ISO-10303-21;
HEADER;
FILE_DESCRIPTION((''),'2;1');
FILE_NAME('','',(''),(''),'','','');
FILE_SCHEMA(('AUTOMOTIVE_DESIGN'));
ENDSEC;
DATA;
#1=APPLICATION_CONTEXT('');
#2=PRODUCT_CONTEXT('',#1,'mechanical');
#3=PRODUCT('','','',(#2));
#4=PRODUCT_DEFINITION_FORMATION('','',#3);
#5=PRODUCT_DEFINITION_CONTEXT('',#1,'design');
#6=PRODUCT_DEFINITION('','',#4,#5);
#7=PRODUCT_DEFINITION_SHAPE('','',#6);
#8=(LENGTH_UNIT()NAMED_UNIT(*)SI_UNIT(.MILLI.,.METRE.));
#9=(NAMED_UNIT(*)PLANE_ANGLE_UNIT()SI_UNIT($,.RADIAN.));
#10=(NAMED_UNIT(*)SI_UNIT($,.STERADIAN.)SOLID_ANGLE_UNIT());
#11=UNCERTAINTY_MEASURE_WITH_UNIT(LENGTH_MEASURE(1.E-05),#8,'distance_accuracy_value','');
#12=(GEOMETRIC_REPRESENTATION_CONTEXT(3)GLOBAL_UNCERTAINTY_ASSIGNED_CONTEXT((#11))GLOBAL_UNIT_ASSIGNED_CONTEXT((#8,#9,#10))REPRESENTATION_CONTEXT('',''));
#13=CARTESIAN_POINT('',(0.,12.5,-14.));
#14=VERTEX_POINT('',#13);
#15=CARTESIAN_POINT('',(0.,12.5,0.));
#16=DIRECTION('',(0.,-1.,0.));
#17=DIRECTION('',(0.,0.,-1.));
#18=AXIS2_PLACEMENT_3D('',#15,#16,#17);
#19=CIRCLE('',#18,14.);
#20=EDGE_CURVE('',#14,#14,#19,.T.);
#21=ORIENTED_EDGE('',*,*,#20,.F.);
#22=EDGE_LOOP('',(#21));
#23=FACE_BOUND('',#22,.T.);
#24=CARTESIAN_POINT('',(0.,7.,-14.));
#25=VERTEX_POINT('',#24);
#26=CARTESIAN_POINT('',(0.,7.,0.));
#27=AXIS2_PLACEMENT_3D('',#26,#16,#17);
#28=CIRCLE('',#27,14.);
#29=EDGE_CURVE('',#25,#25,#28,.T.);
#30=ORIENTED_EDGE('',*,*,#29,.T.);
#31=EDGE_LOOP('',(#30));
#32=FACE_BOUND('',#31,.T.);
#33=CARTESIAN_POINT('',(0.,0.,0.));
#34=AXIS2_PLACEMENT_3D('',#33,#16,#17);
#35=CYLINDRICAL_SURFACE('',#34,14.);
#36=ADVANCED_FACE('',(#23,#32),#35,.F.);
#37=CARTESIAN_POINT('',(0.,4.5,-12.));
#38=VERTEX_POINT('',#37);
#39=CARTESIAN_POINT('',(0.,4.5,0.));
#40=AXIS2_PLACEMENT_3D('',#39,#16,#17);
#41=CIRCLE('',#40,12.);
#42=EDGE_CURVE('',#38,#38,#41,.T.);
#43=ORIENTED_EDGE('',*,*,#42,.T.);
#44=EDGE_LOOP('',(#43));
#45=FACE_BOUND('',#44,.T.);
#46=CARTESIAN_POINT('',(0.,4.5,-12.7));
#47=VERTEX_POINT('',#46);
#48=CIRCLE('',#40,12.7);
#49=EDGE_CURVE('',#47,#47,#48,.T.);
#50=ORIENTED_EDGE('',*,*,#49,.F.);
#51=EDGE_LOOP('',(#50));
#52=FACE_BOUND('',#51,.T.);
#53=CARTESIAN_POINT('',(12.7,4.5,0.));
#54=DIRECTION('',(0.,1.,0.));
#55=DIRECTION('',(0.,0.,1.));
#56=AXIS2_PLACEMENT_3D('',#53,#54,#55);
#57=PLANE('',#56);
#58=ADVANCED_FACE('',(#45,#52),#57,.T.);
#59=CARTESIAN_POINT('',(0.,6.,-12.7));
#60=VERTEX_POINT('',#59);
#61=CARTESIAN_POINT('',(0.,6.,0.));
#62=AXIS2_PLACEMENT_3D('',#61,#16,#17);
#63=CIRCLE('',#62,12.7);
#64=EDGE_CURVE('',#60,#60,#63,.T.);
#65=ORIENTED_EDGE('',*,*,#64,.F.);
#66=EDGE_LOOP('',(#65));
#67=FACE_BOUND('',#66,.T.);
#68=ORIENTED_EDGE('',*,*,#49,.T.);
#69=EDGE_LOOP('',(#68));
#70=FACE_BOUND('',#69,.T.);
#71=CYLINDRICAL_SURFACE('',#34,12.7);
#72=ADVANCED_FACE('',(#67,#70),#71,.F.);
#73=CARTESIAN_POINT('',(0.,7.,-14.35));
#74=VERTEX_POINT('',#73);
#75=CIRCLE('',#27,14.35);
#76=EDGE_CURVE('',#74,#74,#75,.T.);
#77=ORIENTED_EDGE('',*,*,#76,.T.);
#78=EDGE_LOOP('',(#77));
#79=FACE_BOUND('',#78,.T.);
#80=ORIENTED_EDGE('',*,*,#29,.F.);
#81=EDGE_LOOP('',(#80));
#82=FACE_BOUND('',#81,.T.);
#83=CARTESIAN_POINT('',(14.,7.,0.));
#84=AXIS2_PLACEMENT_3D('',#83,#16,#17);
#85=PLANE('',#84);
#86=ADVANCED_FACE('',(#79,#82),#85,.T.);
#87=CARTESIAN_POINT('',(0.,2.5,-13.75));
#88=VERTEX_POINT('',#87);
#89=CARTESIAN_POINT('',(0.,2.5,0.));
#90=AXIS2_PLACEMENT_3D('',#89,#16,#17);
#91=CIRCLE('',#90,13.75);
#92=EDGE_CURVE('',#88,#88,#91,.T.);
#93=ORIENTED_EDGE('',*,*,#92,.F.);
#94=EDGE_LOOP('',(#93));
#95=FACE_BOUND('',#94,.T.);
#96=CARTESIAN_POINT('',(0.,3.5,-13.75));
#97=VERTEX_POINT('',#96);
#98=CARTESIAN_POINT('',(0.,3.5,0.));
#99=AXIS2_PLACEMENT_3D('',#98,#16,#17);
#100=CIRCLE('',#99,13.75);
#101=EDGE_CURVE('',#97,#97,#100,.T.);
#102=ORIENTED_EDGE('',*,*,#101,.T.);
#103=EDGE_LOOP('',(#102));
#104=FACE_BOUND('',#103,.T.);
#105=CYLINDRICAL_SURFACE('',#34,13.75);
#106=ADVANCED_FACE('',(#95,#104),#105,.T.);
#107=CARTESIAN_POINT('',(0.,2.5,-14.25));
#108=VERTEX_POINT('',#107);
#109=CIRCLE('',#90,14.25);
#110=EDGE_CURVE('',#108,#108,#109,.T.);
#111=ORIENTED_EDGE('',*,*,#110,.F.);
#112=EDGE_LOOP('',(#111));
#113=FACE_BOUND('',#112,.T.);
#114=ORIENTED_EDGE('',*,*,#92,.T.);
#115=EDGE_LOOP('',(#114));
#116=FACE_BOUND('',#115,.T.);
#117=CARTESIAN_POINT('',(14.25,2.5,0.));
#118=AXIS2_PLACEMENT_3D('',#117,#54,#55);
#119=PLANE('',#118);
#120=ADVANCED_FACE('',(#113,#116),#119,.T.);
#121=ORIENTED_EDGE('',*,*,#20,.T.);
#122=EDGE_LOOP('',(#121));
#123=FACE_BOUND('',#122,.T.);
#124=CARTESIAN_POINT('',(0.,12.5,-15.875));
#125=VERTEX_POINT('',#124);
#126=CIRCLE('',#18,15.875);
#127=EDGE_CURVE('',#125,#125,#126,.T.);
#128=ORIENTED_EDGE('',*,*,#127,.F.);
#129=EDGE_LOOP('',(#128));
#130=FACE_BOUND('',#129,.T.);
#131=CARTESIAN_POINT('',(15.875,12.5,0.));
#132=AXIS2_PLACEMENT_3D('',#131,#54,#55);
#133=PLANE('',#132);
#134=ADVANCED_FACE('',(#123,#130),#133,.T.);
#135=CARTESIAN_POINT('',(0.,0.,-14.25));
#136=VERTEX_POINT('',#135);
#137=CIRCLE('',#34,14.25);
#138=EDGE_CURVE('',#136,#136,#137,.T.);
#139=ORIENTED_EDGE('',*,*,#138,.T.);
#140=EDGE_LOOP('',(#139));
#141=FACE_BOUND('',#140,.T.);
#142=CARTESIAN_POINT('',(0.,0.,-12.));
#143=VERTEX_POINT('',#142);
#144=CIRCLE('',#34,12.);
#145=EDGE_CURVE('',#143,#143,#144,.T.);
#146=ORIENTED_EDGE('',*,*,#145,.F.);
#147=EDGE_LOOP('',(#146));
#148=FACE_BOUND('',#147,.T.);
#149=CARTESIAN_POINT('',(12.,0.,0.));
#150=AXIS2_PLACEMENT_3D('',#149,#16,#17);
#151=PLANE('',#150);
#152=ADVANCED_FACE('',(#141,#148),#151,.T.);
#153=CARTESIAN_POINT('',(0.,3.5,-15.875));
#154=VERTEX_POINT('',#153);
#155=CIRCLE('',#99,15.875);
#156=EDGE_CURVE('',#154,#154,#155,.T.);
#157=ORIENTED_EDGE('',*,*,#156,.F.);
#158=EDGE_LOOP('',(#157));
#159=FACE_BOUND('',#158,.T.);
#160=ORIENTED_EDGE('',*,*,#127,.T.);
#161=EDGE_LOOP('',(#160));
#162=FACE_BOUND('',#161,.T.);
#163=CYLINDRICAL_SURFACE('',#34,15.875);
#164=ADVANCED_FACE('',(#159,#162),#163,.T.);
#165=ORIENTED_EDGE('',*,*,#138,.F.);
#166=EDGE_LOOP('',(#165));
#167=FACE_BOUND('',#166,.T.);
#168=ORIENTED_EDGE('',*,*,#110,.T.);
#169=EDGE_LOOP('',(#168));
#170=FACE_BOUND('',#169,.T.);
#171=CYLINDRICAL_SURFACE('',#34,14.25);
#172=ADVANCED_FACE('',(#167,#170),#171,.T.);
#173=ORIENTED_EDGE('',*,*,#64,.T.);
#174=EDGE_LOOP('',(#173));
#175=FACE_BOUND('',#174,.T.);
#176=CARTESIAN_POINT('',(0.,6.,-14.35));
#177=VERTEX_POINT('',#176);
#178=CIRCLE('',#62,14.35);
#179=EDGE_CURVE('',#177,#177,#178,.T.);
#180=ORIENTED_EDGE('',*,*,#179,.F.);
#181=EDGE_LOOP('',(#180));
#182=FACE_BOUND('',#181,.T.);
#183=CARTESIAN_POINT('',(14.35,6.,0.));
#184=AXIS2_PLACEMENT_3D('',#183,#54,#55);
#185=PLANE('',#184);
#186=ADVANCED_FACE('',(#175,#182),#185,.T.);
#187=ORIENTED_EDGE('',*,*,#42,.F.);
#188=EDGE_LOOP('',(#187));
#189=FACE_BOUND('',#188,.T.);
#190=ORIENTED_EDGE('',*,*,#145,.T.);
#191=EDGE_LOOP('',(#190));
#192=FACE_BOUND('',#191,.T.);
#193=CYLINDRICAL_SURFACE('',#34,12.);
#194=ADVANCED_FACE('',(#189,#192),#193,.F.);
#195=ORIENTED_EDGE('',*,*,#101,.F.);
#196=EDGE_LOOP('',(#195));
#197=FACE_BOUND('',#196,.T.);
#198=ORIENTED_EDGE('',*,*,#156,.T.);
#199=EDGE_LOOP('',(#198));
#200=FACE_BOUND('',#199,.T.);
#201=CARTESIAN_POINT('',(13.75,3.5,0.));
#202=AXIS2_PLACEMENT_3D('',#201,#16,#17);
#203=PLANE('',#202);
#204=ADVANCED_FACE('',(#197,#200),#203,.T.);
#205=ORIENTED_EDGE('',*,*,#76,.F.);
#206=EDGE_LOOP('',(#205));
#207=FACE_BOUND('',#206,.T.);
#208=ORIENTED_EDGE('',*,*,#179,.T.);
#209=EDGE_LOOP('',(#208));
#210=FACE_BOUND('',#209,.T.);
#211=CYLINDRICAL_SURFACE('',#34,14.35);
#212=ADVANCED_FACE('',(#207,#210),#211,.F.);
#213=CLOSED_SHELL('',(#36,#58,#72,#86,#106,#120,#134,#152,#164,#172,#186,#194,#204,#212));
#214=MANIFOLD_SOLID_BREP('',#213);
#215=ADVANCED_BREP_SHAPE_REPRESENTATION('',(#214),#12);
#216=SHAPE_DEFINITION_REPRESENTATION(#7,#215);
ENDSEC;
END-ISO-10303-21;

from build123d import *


with BuildPart() as part:
    # 草图1 → 旋转1 (revolve)
    with BuildSketch(Plane.XY, mode=Mode.PRIVATE) as revolve_1_sk:
        Polygon((12, 0), (14.25, 0), (14.25, 2.5), (13.75, 2.5), (13.75, 3.5), (15.875, 3.5), (15.875, 12.5), (14, 12.5), (14, 7), (14.35, 7), (14.35, 6), (12.7, 6), (12.7, 4.5), (12, 4.5), align=None)
    revolve(revolve_1_sk.sketch.rotate(Axis((0, 0, 0), (0, 1, 0)), 90), axis=Axis((0, 0, 0), (0, 1, 0)))  # turned: the seam where the file's is


solid = part.part
